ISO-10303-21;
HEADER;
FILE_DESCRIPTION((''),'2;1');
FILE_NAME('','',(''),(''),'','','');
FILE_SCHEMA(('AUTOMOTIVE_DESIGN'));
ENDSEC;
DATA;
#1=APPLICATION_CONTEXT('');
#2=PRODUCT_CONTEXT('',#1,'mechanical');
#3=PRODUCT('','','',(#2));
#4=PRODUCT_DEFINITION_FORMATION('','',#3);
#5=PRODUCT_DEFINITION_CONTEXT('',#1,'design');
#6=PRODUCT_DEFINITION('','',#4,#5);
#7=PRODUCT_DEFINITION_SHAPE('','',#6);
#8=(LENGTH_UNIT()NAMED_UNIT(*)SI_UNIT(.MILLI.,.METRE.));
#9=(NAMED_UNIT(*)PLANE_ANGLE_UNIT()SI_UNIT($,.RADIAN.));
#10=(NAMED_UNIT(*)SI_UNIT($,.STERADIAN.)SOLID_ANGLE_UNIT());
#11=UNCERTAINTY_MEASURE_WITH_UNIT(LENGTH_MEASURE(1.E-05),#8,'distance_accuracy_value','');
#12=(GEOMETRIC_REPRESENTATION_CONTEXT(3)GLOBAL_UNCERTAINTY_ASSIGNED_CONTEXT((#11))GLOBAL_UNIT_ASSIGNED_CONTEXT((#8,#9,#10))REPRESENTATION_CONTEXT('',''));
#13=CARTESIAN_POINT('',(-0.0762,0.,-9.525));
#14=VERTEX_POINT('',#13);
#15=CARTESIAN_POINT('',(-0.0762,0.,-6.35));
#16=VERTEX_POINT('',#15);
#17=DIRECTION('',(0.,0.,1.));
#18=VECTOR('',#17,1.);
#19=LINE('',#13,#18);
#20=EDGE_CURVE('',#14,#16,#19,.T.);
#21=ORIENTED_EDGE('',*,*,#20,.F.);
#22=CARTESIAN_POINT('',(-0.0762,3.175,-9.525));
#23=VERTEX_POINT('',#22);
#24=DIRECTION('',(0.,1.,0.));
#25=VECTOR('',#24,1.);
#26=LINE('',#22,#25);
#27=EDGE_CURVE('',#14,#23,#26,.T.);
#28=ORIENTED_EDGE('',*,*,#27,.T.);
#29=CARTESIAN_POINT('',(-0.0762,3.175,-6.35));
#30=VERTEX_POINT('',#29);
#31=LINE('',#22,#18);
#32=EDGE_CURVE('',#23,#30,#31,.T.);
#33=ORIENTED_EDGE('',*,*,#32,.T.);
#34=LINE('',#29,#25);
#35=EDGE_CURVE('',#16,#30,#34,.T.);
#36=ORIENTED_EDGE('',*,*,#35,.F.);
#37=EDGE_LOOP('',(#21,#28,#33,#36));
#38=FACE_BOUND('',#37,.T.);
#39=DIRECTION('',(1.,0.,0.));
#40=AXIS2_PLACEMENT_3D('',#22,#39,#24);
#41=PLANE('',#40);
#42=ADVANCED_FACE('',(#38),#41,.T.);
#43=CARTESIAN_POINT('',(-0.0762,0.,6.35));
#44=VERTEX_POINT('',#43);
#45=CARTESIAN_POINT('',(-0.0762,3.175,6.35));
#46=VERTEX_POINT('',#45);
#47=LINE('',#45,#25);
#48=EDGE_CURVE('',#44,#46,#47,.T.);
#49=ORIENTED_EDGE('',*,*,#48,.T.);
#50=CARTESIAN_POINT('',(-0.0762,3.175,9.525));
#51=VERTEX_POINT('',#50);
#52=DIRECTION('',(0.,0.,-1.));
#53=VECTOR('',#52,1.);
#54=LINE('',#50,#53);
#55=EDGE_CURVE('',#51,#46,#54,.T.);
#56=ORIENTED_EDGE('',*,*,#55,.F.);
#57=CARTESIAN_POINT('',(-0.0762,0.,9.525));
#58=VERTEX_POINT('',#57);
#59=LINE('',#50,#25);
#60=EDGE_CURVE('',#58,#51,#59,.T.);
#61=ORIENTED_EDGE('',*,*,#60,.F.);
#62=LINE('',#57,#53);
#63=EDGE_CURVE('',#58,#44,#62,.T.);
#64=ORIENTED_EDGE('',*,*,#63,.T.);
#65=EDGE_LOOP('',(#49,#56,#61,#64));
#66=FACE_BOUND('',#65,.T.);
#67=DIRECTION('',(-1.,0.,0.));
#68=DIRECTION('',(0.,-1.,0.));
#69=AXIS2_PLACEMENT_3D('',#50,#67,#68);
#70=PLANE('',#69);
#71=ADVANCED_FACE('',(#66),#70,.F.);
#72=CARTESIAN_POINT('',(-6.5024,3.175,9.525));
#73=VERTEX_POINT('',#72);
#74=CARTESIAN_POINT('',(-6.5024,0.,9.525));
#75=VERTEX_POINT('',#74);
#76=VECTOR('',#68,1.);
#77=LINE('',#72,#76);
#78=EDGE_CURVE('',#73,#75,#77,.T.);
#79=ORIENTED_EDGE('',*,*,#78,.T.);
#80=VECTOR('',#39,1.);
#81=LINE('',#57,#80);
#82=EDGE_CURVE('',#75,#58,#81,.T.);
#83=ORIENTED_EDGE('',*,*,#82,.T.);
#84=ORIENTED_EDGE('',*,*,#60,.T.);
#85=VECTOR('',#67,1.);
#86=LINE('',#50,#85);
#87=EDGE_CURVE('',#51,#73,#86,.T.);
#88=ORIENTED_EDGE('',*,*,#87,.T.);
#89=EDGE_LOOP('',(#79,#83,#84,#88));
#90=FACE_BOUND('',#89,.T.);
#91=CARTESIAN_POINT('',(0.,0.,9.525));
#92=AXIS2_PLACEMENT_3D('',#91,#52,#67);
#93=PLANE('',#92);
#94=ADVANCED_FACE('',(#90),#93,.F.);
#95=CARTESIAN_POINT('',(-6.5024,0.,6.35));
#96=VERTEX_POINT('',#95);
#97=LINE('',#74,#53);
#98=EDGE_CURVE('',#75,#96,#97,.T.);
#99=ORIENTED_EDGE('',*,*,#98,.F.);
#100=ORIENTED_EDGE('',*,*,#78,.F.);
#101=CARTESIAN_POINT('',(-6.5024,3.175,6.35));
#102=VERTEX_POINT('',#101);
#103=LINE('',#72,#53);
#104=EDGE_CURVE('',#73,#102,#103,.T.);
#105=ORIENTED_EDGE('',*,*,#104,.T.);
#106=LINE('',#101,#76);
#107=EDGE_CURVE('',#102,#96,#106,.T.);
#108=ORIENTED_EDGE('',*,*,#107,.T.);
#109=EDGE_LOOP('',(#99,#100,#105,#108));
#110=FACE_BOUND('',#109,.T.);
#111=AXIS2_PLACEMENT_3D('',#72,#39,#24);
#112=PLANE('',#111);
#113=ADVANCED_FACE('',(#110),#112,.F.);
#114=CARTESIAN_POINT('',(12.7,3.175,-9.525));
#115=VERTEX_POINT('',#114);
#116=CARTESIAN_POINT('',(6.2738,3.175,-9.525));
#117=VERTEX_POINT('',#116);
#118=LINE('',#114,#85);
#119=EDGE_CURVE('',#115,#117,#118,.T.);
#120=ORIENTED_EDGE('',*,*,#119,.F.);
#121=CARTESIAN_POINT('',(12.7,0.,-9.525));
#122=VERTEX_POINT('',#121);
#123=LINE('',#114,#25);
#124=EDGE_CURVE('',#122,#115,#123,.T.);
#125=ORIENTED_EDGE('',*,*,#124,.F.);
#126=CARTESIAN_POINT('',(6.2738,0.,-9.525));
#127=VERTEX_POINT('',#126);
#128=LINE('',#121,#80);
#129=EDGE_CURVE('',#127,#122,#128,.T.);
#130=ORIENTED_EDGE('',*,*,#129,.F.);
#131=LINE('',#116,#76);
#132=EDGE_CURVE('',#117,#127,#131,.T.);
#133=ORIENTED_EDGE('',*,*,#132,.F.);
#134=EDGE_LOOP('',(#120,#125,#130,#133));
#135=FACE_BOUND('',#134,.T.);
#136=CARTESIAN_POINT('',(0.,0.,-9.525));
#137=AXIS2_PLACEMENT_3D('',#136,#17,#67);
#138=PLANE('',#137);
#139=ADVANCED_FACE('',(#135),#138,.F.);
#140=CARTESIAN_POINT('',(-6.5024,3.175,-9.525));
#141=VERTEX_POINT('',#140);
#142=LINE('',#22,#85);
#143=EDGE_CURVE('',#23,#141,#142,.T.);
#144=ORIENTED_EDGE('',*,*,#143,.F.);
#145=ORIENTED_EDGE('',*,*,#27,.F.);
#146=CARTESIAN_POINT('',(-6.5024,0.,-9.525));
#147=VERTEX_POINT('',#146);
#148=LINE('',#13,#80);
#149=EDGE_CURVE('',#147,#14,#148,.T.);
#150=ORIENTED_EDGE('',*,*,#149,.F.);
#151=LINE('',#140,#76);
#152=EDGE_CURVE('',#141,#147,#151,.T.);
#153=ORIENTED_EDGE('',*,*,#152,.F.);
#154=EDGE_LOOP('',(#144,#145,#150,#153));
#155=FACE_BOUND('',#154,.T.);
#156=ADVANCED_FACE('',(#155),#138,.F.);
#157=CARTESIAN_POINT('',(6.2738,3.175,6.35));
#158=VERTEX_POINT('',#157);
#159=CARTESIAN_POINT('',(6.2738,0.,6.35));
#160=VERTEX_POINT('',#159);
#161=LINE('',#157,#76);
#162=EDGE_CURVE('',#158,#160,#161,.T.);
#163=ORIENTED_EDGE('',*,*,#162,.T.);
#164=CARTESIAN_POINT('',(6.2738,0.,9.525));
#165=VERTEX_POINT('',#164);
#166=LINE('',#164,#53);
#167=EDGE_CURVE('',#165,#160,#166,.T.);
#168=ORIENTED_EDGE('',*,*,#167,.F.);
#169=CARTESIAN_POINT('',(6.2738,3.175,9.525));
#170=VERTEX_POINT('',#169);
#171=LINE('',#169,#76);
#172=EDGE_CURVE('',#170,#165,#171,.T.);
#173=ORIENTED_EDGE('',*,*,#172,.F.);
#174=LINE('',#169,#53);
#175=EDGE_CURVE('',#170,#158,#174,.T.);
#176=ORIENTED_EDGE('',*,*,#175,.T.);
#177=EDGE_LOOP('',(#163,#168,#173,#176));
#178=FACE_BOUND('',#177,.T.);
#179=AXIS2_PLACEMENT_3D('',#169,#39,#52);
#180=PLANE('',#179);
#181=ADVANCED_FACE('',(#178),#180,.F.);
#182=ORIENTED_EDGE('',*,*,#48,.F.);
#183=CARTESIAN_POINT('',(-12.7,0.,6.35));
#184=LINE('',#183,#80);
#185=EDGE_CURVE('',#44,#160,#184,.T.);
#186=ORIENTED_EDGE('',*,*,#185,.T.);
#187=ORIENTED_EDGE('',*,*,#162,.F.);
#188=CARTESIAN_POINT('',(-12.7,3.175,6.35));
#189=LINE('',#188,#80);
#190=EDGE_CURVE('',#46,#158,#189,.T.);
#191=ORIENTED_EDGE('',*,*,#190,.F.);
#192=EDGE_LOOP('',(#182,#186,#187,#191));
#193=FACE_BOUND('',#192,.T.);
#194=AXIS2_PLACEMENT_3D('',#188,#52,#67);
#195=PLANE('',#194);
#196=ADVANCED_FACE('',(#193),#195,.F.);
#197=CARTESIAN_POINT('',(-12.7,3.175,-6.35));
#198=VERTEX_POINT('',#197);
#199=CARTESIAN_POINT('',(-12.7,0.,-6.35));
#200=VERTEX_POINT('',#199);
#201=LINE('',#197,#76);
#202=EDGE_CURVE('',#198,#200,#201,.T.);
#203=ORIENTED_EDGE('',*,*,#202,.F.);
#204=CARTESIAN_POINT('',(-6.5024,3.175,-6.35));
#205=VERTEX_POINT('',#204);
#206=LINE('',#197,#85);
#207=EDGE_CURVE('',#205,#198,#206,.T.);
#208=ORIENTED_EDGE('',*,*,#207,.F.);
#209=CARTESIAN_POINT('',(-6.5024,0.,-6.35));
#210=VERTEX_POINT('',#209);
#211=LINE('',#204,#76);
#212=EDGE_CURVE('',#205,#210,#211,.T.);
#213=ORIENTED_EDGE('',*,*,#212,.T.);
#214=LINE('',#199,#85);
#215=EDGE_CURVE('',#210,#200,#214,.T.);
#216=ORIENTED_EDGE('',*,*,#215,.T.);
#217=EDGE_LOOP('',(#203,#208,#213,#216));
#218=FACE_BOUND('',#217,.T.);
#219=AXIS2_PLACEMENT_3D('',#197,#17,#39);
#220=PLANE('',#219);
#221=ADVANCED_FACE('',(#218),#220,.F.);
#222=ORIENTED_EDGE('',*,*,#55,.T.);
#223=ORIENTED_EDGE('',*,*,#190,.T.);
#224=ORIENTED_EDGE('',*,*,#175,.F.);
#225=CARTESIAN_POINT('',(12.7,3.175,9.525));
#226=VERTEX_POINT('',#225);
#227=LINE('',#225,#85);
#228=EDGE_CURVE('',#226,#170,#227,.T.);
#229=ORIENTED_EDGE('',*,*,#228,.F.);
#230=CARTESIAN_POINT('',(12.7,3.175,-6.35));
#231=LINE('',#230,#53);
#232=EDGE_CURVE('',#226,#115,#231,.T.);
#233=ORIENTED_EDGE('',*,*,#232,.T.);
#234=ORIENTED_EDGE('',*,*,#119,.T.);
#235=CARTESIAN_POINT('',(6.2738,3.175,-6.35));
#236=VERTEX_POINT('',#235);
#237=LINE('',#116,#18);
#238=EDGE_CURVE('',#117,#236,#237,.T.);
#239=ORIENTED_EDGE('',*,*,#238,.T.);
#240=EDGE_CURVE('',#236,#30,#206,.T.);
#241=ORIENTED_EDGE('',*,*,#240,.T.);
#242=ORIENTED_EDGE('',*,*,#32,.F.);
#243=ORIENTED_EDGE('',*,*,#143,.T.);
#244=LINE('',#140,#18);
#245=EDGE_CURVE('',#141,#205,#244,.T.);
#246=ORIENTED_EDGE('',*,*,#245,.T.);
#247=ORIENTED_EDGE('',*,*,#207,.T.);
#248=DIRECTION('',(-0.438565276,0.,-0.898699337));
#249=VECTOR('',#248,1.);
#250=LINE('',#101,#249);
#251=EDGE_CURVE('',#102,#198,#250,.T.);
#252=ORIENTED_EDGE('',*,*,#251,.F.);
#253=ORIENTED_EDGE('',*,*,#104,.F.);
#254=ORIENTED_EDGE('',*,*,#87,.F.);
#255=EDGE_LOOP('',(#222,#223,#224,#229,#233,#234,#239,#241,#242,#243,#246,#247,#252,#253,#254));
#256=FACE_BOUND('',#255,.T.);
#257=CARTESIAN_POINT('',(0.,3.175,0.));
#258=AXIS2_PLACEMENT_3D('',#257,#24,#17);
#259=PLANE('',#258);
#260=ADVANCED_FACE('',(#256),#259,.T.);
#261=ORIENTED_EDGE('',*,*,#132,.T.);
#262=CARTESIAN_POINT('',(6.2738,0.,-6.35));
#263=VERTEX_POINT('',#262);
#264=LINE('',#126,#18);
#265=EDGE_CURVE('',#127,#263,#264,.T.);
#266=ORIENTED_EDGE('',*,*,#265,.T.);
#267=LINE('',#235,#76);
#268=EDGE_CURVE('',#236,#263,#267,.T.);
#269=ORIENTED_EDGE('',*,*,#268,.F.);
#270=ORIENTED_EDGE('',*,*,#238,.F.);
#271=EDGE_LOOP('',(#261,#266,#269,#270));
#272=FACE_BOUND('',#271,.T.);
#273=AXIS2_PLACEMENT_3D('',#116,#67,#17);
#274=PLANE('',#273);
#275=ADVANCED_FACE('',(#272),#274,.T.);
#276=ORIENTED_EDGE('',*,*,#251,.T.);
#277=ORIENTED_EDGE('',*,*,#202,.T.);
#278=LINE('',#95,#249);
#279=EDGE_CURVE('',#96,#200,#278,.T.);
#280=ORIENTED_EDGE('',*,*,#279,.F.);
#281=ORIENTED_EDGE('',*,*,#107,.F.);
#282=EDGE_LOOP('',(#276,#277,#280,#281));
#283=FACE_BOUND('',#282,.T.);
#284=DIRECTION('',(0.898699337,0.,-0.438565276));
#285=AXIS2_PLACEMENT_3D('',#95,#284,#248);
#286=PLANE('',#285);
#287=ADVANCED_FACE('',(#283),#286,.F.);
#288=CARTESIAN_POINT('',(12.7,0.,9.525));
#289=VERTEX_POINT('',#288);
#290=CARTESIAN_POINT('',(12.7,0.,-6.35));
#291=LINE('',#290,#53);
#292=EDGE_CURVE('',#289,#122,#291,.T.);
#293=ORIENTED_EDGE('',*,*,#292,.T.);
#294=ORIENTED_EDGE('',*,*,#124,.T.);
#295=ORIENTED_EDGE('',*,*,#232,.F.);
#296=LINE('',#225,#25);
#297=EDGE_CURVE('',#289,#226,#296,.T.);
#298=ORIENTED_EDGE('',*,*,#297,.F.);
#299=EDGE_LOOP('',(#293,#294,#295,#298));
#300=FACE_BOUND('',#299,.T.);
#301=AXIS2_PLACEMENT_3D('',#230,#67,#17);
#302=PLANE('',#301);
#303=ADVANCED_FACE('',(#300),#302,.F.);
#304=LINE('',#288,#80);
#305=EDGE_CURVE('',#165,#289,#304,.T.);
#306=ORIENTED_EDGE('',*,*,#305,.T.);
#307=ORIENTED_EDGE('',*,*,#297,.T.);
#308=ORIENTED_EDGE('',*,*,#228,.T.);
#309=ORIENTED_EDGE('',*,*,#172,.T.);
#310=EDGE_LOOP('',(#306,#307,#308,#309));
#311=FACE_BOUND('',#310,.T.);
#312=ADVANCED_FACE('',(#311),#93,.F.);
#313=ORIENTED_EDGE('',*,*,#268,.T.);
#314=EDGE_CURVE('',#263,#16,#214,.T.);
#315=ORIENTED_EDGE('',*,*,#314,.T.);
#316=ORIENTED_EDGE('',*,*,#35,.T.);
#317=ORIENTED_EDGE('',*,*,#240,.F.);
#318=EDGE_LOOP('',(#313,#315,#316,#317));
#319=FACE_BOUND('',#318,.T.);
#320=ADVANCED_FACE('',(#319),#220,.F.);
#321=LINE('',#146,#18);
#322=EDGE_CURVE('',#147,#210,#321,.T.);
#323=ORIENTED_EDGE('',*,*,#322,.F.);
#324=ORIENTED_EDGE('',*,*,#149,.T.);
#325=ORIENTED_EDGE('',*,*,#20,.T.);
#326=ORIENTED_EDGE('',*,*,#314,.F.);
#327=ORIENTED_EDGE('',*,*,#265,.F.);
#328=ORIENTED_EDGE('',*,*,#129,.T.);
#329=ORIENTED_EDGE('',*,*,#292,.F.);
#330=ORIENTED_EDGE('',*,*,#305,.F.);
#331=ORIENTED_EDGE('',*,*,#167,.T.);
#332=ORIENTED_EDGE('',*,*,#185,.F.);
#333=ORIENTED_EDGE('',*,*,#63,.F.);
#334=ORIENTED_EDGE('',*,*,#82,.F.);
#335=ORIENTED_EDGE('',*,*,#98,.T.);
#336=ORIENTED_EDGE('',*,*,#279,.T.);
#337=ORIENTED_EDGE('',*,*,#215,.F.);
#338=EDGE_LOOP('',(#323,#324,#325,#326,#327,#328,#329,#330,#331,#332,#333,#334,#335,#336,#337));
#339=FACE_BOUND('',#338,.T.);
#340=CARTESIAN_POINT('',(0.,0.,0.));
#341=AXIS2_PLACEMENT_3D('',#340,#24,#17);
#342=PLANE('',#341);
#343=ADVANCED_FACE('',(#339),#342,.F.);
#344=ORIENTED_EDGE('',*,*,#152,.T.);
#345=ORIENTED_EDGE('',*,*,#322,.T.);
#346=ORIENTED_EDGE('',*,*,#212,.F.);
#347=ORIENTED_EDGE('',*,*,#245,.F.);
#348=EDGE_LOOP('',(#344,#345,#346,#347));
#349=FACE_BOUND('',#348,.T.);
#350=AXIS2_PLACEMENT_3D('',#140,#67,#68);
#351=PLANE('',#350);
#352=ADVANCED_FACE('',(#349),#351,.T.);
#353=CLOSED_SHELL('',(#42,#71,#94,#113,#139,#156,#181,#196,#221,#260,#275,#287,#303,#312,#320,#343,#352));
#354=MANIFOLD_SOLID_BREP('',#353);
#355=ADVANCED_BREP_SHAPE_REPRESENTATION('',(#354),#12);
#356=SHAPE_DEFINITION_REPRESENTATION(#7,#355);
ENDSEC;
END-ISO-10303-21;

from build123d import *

# Parameters (mm, degrees)
SKETCH1_W           = 25.4
SKETCH1_H           = 12.7
BOSS_EXTRUDE1_DEPTH = 3.175
SKETCH2_W           = 6.4262
SKETCH2_H           = 3.175
BOSS_EXTRUDE2_DEPTH = 3.175
CUT_EXTRUDE1_DEPTH  = 3.175


with BuildPart() as part:
    # Sketch1 → Boss-Extrude1 (new body)
    with BuildSketch(Plane(origin=(0, 0, 0), x_dir=(1, 0, 0), z_dir=(0, 1, 0))):
        Rectangle(SKETCH1_W, SKETCH1_H)
    extrude(amount=BOSS_EXTRUDE1_DEPTH)

    # Sketch2 → Boss-Extrude2 (add)
    with BuildSketch(Plane.XY.offset(6.35)):
        with Locations((9.4869, 1.5875)):
            Rectangle(SKETCH2_W, SKETCH2_H)
        with Locations((-3.2893, 1.5875)):
            Rectangle(SKETCH2_W, SKETCH2_H)
    boss_extrude2 = extrude(amount=BOSS_EXTRUDE2_DEPTH)

    # Mirror1: Boss-Extrude2 across plane
    add(boss_extrude2.mirror(Plane.XY))

    # Sketch3 → Cut-Extrude1 (cut)
    with BuildSketch(Plane(origin=(0, 3.175, 0), x_dir=(1, 0, 0), z_dir=(0, 1, 0))):
        Polygon((-6.5024, -6.35), (-12.7, 6.35), (-12.7, -6.35), align=None)
    extrude(amount=-CUT_EXTRUDE1_DEPTH, mode=Mode.SUBTRACT)


solid = part.part
